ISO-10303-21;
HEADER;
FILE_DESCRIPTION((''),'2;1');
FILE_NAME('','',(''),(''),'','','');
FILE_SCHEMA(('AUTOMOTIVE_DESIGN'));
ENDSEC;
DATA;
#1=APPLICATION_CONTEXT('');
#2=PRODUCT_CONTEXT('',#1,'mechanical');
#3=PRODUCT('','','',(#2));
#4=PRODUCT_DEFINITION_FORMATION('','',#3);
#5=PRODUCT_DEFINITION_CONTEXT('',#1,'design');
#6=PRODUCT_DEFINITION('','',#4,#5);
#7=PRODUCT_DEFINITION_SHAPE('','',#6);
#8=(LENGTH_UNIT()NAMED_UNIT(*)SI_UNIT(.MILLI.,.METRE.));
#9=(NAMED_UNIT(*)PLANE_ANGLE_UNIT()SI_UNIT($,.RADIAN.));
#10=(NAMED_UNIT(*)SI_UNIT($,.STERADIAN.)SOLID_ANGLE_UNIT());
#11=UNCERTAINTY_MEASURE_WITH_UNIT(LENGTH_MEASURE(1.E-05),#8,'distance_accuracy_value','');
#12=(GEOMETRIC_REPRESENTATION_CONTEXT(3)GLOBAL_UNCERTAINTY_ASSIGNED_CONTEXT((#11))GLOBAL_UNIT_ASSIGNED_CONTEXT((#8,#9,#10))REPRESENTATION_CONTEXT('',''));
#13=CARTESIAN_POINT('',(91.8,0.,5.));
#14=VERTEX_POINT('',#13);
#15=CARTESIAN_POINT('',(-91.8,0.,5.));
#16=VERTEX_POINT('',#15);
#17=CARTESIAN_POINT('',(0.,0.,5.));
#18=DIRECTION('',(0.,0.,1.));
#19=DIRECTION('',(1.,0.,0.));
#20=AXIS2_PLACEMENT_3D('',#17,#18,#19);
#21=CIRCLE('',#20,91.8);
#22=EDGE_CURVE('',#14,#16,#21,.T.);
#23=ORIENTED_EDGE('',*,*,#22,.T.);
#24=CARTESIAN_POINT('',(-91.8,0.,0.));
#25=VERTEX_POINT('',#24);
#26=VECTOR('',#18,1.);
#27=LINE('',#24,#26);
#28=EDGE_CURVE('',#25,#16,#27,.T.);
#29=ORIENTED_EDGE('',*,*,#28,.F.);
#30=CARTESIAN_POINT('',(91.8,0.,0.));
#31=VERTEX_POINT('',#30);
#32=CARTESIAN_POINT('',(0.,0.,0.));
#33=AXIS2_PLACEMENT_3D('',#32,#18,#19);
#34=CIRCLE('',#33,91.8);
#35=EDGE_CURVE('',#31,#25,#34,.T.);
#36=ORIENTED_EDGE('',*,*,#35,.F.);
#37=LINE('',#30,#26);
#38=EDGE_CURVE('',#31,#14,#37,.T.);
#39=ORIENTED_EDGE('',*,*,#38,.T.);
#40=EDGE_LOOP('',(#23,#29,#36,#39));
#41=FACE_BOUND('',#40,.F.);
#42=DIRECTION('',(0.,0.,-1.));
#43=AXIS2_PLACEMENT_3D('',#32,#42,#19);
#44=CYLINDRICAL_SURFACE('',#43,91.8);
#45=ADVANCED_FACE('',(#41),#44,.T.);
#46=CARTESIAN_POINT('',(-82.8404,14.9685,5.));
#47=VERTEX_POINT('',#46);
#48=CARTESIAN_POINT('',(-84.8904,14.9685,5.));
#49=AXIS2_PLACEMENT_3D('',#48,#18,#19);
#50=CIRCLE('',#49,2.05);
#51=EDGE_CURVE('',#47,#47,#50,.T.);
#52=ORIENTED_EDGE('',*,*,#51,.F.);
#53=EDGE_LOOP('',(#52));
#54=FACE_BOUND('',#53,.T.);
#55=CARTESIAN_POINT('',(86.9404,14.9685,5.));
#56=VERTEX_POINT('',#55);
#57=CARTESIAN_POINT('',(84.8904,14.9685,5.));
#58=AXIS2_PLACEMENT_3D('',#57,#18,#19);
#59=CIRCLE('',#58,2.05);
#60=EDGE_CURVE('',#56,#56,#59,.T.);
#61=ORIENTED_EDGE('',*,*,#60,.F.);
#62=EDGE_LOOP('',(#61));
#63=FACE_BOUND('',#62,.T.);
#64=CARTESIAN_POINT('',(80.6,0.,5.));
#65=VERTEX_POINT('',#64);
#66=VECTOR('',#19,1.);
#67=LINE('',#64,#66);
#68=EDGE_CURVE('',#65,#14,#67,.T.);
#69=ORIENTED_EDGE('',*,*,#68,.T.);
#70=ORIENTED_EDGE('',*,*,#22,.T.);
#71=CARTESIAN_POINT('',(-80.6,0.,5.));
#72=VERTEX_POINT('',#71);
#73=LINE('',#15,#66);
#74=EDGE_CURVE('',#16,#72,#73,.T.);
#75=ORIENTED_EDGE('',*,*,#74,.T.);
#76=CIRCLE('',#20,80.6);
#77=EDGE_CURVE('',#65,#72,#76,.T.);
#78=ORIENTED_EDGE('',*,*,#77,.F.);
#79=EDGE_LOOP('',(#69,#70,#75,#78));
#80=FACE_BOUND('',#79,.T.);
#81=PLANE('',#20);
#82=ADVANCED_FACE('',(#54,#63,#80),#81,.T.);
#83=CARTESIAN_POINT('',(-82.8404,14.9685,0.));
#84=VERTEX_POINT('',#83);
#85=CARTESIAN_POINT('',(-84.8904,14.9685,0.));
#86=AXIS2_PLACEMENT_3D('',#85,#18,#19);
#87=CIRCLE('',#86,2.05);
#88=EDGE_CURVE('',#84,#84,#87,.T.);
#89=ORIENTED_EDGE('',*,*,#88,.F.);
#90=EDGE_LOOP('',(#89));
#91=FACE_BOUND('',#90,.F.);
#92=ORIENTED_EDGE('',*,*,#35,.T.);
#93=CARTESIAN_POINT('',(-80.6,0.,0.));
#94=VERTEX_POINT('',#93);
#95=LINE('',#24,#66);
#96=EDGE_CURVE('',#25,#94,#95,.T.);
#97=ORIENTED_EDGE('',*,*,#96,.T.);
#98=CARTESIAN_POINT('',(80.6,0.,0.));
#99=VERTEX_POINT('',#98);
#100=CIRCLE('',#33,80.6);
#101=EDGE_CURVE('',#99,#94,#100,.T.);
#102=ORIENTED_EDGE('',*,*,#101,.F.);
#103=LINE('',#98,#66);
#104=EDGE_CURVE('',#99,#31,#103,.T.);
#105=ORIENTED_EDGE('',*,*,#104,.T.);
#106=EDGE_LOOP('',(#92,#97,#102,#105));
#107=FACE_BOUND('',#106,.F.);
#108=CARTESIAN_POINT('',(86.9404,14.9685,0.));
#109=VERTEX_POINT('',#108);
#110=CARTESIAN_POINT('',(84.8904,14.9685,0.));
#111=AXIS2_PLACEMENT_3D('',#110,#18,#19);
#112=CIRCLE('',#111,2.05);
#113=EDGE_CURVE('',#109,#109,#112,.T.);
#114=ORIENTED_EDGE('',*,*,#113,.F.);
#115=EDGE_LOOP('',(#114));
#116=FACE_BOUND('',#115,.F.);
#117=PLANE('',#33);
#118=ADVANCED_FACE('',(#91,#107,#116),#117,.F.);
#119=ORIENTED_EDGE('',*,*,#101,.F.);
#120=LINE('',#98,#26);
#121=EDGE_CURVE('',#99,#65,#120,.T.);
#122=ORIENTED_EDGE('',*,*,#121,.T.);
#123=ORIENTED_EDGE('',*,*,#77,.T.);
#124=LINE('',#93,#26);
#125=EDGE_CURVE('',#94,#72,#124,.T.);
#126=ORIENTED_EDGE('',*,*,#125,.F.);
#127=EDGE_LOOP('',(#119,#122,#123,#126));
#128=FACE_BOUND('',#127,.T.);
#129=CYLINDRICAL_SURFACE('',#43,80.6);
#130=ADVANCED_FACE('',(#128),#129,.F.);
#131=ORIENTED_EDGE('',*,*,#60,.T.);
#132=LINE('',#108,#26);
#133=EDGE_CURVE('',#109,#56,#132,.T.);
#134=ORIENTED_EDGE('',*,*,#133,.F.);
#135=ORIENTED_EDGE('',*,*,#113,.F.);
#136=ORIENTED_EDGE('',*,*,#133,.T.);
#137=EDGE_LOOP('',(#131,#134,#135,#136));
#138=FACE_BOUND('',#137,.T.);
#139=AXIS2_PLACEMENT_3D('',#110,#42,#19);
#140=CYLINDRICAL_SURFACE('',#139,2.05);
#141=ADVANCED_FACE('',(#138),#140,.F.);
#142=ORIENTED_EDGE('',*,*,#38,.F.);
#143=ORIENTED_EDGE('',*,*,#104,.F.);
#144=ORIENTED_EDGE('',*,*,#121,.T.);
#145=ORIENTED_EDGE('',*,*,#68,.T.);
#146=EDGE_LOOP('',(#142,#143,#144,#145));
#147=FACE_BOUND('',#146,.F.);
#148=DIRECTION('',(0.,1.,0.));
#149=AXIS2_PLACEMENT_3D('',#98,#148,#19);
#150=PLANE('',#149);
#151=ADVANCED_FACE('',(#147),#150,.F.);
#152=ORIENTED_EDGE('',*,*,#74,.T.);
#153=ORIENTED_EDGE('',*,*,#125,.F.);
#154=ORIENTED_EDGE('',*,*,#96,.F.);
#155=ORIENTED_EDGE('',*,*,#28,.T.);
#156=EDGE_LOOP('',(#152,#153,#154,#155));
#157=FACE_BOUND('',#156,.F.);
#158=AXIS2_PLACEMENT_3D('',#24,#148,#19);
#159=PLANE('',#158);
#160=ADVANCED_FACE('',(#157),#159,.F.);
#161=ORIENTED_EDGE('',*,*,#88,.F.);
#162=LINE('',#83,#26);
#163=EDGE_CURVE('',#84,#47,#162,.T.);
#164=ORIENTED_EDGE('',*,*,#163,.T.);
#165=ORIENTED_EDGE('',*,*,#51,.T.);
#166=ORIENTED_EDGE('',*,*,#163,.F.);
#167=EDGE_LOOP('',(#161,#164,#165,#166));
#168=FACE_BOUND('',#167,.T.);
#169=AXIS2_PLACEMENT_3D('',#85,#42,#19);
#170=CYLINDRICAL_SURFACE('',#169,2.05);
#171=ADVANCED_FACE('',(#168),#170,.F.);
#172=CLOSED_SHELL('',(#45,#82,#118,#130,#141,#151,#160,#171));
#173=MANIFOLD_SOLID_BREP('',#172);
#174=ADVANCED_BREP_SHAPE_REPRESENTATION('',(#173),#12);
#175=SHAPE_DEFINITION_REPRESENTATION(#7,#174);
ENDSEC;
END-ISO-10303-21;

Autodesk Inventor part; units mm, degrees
ref_plane "YZ Plane" through (0, 0, 0) normal (1, 0, 0) x (0, 1, 0)
ref_plane "XZ Plane" through (0, 0, 0) normal (0, 1, 0) x (-1, 0, 0)
ref_plane "XY Plane" through (0, 0, 0) normal (0, 0, 1) x (1, 0, 0)
sketch "Skizze1" plane through (0, 0, 0) normal (0, 0, 1) x (1, 0, 0)
  circle A0 centre (0, 0) radius 80.1 construction
  circle A1 centre (0, 0) radius 93.8 construction
  circle A2 centre (0, 0) radius 80.6
  circle A3 centre (0, 0) radius 91.8
  line L0 (-91.8, 0) -> (-80.6, 0)
  line L1 (80.6, 0) -> (91.8, 0)
  circle A4 centre (0, 0) radius 86.2 construction
  circle A5 centre (-84.8904, 14.9685) radius 2.05
  circle A6 centre (84.8904, 14.9685) radius 2.05
  line L2 (0, 0) -> (-84.8904, 14.9685) construction
  line L3 (0, 0) -> (84.8904, 14.9685) construction
  point P0 (0, 86.1)
  point P1 (5.5, 80.4121)
  point P2 (-5.5, 80.4121)
  dimension "d0" = 160.2
  dimension "d1" = 187.6
  dimension "d2" = 0.5
  dimension "d3" = 2
  dimension "d8" = 5.6
  dimension "d9" = 4.1
  dimension "d10" = 10
  dimension "d11" = 10
extrude "Extrusion1" add sketch "Skizze1" along normal blind 5 contours A2 L0 A3 L1 picked at (4.3548, 87.7552)
properties part number "Montage_Ring_Hinten_Teil1"
